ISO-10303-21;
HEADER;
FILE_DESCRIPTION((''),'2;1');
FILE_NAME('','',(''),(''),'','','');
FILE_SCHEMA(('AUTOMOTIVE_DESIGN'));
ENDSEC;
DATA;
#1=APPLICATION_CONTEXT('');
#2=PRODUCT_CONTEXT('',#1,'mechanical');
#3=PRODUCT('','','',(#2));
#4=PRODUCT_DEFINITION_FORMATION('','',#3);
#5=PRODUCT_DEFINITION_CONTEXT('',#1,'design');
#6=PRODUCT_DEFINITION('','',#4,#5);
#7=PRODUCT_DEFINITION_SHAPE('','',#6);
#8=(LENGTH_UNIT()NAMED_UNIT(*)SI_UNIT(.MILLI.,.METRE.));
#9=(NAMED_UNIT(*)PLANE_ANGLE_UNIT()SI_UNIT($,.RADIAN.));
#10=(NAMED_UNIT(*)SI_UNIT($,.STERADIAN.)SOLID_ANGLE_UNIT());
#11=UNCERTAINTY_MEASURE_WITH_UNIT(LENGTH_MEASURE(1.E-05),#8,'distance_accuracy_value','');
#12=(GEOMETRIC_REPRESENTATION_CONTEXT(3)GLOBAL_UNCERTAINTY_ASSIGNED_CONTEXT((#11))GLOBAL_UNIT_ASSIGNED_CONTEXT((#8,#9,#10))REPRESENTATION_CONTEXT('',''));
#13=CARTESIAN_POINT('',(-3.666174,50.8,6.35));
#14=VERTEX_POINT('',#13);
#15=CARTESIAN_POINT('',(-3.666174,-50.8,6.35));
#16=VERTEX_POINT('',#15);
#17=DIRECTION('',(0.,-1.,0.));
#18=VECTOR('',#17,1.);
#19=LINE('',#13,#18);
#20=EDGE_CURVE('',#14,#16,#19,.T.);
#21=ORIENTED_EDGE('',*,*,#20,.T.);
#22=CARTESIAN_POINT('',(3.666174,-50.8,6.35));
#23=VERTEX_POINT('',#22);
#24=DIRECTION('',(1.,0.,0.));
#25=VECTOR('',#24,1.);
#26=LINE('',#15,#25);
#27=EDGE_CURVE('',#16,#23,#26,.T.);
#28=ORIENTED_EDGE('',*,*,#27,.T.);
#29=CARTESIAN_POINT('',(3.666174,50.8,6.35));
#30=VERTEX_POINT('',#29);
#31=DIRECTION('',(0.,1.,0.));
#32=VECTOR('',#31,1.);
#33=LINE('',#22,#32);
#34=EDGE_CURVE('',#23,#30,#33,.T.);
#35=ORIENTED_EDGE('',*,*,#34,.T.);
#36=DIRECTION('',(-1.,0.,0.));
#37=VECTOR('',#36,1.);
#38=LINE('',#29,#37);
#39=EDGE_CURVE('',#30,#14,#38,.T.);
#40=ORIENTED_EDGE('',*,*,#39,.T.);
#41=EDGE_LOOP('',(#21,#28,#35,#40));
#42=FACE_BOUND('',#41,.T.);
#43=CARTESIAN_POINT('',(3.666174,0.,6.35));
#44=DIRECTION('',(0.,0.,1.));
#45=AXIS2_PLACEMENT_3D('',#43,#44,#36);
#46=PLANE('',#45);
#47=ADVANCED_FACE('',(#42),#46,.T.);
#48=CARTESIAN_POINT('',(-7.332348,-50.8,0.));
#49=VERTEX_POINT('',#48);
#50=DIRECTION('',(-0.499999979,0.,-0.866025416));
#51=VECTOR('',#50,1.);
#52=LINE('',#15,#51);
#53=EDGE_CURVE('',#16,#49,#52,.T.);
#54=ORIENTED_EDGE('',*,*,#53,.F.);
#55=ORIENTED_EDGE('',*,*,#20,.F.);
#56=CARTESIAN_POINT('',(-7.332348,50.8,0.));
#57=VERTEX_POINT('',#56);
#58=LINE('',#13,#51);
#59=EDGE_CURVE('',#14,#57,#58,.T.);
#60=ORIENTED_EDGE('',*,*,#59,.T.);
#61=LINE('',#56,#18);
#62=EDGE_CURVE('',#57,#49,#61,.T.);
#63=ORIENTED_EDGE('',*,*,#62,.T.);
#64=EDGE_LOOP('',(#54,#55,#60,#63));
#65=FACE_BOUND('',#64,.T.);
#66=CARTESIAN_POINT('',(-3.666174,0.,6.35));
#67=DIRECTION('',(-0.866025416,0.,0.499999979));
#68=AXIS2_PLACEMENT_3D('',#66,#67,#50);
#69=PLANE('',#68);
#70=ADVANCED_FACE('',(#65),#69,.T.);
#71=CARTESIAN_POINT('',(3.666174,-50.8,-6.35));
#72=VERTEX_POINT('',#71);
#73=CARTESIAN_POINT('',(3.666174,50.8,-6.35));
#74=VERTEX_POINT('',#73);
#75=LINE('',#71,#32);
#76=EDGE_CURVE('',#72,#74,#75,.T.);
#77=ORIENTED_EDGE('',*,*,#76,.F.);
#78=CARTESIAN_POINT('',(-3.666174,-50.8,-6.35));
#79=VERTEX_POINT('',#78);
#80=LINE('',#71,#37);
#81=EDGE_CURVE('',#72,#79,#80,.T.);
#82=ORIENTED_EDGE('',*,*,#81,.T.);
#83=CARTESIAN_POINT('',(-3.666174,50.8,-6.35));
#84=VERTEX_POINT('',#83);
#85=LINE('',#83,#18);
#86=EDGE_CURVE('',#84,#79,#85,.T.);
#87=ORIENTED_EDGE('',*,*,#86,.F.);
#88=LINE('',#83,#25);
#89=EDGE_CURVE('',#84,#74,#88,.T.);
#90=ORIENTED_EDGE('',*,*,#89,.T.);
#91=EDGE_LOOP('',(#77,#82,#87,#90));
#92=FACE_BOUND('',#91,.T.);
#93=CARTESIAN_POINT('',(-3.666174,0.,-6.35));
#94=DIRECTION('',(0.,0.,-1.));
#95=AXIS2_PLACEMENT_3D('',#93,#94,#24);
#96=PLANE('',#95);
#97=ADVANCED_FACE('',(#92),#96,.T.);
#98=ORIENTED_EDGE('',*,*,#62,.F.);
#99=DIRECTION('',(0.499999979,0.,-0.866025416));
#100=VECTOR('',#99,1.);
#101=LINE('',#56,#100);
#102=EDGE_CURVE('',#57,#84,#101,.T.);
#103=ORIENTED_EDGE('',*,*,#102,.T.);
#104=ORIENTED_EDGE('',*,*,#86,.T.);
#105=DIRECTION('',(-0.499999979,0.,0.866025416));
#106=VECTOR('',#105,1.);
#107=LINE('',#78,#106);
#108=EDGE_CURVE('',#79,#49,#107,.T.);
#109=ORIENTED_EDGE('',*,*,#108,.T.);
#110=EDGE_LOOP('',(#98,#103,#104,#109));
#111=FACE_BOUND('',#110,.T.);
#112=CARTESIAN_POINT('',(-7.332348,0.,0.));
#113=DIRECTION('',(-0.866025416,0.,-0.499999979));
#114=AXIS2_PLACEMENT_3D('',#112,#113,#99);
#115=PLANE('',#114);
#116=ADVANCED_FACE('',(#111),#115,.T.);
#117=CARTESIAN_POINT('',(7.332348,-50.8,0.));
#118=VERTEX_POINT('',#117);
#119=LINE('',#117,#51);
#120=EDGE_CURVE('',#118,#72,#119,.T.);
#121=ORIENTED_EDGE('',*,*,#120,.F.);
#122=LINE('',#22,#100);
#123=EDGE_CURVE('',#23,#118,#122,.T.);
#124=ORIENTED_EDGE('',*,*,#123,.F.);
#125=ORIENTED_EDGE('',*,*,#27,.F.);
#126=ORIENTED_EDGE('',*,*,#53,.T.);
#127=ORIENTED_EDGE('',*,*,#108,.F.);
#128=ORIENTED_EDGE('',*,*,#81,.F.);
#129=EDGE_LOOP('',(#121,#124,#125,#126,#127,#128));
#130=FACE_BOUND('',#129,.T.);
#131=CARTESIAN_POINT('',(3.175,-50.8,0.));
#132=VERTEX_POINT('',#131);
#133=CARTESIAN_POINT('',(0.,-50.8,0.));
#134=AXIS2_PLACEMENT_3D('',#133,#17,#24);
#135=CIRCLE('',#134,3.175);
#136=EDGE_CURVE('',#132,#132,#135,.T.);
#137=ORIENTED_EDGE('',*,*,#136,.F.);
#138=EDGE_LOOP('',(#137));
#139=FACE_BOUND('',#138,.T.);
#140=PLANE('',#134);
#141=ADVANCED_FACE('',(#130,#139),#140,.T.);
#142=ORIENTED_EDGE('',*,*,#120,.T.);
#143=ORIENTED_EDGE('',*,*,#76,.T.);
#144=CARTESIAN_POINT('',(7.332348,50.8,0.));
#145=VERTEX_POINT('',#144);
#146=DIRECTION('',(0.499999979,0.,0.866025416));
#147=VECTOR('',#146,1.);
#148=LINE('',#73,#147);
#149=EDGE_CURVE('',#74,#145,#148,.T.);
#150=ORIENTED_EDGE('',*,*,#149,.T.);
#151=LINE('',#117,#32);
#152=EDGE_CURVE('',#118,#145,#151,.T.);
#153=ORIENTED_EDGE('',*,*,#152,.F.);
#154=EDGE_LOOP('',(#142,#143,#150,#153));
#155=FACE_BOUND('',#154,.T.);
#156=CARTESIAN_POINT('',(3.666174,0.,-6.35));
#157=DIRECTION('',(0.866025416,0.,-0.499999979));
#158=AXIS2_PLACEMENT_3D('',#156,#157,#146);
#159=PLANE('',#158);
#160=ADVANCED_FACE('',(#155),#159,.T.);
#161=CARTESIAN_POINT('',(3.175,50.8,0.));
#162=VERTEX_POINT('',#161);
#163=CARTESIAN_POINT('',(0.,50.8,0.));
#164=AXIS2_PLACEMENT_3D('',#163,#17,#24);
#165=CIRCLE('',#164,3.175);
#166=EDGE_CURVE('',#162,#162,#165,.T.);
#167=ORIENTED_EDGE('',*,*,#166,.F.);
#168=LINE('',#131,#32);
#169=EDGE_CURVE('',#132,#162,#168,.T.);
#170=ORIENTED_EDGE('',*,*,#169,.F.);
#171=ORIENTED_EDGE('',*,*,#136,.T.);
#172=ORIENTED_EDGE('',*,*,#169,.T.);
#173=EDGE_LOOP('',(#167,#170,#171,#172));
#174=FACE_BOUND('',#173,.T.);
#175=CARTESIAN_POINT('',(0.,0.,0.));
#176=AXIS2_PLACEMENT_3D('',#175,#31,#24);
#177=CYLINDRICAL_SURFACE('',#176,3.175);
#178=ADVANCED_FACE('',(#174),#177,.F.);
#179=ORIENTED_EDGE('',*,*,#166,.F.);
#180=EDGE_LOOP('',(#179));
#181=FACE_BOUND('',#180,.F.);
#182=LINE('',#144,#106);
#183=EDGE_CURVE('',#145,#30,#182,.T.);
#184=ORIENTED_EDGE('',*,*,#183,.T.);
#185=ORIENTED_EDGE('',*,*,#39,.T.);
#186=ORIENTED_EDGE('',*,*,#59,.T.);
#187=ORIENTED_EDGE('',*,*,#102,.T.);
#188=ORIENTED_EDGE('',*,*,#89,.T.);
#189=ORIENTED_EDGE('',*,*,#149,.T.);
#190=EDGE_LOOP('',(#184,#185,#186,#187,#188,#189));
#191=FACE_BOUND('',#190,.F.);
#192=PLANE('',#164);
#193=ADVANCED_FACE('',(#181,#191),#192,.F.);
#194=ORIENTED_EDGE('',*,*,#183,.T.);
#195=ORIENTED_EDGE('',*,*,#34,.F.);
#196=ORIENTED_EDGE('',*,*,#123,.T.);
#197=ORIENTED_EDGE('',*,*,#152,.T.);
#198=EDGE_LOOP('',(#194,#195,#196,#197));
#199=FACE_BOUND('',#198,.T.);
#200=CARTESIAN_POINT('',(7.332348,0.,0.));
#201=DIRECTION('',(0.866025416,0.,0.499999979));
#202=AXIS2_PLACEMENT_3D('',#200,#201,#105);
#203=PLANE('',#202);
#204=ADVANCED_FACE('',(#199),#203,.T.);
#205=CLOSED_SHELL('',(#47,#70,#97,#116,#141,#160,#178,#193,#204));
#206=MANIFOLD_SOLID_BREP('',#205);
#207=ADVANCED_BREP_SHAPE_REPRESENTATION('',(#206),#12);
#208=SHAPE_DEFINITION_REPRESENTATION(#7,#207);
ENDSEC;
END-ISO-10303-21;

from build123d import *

# Parameters (mm, degrees)
F0_R     = 3.175
F1_DEPTH = 50.8
F2_R     = 13.907243
F3_DEPTH = 101.601


with BuildPart() as f1:
    # F0 (on Front) → F1 (new body, symmetric)
    with BuildSketch(Plane.XZ):
        Polygon((3.666174, 6.35), (-3.666174, 6.35), (-7.332348, 0), (-3.666174, -6.35), (3.666174, -6.35), (7.332348, 0), align=None)
        Circle(F0_R, mode=Mode.SUBTRACT)
    extrude(amount=F1_DEPTH, both=True)

    # F2 (on face) → F3 (cut, through all)
    with BuildSketch(Plane.XZ.offset(50.8)):
        Circle(F2_R)
        with BuildLine():
            ThreePointArc((4.181771, 5.456961), (5.953925, 3.4375), (6.816752, 0.893039))
            Line((6.816752, 0.893039), (7.332348, 0))
            Line((7.332348, 0), (6.816752, -0.893039))
            ThreePointArc((6.816752, -0.893039), (5.953925, -3.4375), (4.181771, -5.456961))
            Line((4.181771, -5.456961), (3.666174, -6.35))
            Line((3.666174, -6.35), (2.634981, -6.35))
            ThreePointArc((2.634981, -6.35), (0, -6.875), (-2.634981, -6.35))
            Line((-2.634981, -6.35), (-3.666174, -6.35))
            Line((-3.666174, -6.35), (-4.181771, -5.456961))
            ThreePointArc((-4.181771, -5.456961), (-5.953925, -3.4375), (-6.816752, -0.893039))
            Line((-6.816752, -0.893039), (-7.332348, 0))
            Line((-7.332348, 0), (-6.816752, 0.893039))
            ThreePointArc((-6.816752, 0.893039), (-5.953925, 3.4375), (-4.181771, 5.456961))
            Line((-4.181771, 5.456961), (-3.666174, 6.35))
            Line((-3.666174, 6.35), (-2.634981, 6.35))
            ThreePointArc((-2.634981, 6.35), (0, 6.875), (2.634981, 6.35))
            Line((2.634981, 6.35), (3.666174, 6.35))
            Line((3.666174, 6.35), (4.181771, 5.456961))
        make_face(mode=Mode.SUBTRACT)
    extrude(amount=-F3_DEPTH, mode=Mode.SUBTRACT)


solid = f1.part
